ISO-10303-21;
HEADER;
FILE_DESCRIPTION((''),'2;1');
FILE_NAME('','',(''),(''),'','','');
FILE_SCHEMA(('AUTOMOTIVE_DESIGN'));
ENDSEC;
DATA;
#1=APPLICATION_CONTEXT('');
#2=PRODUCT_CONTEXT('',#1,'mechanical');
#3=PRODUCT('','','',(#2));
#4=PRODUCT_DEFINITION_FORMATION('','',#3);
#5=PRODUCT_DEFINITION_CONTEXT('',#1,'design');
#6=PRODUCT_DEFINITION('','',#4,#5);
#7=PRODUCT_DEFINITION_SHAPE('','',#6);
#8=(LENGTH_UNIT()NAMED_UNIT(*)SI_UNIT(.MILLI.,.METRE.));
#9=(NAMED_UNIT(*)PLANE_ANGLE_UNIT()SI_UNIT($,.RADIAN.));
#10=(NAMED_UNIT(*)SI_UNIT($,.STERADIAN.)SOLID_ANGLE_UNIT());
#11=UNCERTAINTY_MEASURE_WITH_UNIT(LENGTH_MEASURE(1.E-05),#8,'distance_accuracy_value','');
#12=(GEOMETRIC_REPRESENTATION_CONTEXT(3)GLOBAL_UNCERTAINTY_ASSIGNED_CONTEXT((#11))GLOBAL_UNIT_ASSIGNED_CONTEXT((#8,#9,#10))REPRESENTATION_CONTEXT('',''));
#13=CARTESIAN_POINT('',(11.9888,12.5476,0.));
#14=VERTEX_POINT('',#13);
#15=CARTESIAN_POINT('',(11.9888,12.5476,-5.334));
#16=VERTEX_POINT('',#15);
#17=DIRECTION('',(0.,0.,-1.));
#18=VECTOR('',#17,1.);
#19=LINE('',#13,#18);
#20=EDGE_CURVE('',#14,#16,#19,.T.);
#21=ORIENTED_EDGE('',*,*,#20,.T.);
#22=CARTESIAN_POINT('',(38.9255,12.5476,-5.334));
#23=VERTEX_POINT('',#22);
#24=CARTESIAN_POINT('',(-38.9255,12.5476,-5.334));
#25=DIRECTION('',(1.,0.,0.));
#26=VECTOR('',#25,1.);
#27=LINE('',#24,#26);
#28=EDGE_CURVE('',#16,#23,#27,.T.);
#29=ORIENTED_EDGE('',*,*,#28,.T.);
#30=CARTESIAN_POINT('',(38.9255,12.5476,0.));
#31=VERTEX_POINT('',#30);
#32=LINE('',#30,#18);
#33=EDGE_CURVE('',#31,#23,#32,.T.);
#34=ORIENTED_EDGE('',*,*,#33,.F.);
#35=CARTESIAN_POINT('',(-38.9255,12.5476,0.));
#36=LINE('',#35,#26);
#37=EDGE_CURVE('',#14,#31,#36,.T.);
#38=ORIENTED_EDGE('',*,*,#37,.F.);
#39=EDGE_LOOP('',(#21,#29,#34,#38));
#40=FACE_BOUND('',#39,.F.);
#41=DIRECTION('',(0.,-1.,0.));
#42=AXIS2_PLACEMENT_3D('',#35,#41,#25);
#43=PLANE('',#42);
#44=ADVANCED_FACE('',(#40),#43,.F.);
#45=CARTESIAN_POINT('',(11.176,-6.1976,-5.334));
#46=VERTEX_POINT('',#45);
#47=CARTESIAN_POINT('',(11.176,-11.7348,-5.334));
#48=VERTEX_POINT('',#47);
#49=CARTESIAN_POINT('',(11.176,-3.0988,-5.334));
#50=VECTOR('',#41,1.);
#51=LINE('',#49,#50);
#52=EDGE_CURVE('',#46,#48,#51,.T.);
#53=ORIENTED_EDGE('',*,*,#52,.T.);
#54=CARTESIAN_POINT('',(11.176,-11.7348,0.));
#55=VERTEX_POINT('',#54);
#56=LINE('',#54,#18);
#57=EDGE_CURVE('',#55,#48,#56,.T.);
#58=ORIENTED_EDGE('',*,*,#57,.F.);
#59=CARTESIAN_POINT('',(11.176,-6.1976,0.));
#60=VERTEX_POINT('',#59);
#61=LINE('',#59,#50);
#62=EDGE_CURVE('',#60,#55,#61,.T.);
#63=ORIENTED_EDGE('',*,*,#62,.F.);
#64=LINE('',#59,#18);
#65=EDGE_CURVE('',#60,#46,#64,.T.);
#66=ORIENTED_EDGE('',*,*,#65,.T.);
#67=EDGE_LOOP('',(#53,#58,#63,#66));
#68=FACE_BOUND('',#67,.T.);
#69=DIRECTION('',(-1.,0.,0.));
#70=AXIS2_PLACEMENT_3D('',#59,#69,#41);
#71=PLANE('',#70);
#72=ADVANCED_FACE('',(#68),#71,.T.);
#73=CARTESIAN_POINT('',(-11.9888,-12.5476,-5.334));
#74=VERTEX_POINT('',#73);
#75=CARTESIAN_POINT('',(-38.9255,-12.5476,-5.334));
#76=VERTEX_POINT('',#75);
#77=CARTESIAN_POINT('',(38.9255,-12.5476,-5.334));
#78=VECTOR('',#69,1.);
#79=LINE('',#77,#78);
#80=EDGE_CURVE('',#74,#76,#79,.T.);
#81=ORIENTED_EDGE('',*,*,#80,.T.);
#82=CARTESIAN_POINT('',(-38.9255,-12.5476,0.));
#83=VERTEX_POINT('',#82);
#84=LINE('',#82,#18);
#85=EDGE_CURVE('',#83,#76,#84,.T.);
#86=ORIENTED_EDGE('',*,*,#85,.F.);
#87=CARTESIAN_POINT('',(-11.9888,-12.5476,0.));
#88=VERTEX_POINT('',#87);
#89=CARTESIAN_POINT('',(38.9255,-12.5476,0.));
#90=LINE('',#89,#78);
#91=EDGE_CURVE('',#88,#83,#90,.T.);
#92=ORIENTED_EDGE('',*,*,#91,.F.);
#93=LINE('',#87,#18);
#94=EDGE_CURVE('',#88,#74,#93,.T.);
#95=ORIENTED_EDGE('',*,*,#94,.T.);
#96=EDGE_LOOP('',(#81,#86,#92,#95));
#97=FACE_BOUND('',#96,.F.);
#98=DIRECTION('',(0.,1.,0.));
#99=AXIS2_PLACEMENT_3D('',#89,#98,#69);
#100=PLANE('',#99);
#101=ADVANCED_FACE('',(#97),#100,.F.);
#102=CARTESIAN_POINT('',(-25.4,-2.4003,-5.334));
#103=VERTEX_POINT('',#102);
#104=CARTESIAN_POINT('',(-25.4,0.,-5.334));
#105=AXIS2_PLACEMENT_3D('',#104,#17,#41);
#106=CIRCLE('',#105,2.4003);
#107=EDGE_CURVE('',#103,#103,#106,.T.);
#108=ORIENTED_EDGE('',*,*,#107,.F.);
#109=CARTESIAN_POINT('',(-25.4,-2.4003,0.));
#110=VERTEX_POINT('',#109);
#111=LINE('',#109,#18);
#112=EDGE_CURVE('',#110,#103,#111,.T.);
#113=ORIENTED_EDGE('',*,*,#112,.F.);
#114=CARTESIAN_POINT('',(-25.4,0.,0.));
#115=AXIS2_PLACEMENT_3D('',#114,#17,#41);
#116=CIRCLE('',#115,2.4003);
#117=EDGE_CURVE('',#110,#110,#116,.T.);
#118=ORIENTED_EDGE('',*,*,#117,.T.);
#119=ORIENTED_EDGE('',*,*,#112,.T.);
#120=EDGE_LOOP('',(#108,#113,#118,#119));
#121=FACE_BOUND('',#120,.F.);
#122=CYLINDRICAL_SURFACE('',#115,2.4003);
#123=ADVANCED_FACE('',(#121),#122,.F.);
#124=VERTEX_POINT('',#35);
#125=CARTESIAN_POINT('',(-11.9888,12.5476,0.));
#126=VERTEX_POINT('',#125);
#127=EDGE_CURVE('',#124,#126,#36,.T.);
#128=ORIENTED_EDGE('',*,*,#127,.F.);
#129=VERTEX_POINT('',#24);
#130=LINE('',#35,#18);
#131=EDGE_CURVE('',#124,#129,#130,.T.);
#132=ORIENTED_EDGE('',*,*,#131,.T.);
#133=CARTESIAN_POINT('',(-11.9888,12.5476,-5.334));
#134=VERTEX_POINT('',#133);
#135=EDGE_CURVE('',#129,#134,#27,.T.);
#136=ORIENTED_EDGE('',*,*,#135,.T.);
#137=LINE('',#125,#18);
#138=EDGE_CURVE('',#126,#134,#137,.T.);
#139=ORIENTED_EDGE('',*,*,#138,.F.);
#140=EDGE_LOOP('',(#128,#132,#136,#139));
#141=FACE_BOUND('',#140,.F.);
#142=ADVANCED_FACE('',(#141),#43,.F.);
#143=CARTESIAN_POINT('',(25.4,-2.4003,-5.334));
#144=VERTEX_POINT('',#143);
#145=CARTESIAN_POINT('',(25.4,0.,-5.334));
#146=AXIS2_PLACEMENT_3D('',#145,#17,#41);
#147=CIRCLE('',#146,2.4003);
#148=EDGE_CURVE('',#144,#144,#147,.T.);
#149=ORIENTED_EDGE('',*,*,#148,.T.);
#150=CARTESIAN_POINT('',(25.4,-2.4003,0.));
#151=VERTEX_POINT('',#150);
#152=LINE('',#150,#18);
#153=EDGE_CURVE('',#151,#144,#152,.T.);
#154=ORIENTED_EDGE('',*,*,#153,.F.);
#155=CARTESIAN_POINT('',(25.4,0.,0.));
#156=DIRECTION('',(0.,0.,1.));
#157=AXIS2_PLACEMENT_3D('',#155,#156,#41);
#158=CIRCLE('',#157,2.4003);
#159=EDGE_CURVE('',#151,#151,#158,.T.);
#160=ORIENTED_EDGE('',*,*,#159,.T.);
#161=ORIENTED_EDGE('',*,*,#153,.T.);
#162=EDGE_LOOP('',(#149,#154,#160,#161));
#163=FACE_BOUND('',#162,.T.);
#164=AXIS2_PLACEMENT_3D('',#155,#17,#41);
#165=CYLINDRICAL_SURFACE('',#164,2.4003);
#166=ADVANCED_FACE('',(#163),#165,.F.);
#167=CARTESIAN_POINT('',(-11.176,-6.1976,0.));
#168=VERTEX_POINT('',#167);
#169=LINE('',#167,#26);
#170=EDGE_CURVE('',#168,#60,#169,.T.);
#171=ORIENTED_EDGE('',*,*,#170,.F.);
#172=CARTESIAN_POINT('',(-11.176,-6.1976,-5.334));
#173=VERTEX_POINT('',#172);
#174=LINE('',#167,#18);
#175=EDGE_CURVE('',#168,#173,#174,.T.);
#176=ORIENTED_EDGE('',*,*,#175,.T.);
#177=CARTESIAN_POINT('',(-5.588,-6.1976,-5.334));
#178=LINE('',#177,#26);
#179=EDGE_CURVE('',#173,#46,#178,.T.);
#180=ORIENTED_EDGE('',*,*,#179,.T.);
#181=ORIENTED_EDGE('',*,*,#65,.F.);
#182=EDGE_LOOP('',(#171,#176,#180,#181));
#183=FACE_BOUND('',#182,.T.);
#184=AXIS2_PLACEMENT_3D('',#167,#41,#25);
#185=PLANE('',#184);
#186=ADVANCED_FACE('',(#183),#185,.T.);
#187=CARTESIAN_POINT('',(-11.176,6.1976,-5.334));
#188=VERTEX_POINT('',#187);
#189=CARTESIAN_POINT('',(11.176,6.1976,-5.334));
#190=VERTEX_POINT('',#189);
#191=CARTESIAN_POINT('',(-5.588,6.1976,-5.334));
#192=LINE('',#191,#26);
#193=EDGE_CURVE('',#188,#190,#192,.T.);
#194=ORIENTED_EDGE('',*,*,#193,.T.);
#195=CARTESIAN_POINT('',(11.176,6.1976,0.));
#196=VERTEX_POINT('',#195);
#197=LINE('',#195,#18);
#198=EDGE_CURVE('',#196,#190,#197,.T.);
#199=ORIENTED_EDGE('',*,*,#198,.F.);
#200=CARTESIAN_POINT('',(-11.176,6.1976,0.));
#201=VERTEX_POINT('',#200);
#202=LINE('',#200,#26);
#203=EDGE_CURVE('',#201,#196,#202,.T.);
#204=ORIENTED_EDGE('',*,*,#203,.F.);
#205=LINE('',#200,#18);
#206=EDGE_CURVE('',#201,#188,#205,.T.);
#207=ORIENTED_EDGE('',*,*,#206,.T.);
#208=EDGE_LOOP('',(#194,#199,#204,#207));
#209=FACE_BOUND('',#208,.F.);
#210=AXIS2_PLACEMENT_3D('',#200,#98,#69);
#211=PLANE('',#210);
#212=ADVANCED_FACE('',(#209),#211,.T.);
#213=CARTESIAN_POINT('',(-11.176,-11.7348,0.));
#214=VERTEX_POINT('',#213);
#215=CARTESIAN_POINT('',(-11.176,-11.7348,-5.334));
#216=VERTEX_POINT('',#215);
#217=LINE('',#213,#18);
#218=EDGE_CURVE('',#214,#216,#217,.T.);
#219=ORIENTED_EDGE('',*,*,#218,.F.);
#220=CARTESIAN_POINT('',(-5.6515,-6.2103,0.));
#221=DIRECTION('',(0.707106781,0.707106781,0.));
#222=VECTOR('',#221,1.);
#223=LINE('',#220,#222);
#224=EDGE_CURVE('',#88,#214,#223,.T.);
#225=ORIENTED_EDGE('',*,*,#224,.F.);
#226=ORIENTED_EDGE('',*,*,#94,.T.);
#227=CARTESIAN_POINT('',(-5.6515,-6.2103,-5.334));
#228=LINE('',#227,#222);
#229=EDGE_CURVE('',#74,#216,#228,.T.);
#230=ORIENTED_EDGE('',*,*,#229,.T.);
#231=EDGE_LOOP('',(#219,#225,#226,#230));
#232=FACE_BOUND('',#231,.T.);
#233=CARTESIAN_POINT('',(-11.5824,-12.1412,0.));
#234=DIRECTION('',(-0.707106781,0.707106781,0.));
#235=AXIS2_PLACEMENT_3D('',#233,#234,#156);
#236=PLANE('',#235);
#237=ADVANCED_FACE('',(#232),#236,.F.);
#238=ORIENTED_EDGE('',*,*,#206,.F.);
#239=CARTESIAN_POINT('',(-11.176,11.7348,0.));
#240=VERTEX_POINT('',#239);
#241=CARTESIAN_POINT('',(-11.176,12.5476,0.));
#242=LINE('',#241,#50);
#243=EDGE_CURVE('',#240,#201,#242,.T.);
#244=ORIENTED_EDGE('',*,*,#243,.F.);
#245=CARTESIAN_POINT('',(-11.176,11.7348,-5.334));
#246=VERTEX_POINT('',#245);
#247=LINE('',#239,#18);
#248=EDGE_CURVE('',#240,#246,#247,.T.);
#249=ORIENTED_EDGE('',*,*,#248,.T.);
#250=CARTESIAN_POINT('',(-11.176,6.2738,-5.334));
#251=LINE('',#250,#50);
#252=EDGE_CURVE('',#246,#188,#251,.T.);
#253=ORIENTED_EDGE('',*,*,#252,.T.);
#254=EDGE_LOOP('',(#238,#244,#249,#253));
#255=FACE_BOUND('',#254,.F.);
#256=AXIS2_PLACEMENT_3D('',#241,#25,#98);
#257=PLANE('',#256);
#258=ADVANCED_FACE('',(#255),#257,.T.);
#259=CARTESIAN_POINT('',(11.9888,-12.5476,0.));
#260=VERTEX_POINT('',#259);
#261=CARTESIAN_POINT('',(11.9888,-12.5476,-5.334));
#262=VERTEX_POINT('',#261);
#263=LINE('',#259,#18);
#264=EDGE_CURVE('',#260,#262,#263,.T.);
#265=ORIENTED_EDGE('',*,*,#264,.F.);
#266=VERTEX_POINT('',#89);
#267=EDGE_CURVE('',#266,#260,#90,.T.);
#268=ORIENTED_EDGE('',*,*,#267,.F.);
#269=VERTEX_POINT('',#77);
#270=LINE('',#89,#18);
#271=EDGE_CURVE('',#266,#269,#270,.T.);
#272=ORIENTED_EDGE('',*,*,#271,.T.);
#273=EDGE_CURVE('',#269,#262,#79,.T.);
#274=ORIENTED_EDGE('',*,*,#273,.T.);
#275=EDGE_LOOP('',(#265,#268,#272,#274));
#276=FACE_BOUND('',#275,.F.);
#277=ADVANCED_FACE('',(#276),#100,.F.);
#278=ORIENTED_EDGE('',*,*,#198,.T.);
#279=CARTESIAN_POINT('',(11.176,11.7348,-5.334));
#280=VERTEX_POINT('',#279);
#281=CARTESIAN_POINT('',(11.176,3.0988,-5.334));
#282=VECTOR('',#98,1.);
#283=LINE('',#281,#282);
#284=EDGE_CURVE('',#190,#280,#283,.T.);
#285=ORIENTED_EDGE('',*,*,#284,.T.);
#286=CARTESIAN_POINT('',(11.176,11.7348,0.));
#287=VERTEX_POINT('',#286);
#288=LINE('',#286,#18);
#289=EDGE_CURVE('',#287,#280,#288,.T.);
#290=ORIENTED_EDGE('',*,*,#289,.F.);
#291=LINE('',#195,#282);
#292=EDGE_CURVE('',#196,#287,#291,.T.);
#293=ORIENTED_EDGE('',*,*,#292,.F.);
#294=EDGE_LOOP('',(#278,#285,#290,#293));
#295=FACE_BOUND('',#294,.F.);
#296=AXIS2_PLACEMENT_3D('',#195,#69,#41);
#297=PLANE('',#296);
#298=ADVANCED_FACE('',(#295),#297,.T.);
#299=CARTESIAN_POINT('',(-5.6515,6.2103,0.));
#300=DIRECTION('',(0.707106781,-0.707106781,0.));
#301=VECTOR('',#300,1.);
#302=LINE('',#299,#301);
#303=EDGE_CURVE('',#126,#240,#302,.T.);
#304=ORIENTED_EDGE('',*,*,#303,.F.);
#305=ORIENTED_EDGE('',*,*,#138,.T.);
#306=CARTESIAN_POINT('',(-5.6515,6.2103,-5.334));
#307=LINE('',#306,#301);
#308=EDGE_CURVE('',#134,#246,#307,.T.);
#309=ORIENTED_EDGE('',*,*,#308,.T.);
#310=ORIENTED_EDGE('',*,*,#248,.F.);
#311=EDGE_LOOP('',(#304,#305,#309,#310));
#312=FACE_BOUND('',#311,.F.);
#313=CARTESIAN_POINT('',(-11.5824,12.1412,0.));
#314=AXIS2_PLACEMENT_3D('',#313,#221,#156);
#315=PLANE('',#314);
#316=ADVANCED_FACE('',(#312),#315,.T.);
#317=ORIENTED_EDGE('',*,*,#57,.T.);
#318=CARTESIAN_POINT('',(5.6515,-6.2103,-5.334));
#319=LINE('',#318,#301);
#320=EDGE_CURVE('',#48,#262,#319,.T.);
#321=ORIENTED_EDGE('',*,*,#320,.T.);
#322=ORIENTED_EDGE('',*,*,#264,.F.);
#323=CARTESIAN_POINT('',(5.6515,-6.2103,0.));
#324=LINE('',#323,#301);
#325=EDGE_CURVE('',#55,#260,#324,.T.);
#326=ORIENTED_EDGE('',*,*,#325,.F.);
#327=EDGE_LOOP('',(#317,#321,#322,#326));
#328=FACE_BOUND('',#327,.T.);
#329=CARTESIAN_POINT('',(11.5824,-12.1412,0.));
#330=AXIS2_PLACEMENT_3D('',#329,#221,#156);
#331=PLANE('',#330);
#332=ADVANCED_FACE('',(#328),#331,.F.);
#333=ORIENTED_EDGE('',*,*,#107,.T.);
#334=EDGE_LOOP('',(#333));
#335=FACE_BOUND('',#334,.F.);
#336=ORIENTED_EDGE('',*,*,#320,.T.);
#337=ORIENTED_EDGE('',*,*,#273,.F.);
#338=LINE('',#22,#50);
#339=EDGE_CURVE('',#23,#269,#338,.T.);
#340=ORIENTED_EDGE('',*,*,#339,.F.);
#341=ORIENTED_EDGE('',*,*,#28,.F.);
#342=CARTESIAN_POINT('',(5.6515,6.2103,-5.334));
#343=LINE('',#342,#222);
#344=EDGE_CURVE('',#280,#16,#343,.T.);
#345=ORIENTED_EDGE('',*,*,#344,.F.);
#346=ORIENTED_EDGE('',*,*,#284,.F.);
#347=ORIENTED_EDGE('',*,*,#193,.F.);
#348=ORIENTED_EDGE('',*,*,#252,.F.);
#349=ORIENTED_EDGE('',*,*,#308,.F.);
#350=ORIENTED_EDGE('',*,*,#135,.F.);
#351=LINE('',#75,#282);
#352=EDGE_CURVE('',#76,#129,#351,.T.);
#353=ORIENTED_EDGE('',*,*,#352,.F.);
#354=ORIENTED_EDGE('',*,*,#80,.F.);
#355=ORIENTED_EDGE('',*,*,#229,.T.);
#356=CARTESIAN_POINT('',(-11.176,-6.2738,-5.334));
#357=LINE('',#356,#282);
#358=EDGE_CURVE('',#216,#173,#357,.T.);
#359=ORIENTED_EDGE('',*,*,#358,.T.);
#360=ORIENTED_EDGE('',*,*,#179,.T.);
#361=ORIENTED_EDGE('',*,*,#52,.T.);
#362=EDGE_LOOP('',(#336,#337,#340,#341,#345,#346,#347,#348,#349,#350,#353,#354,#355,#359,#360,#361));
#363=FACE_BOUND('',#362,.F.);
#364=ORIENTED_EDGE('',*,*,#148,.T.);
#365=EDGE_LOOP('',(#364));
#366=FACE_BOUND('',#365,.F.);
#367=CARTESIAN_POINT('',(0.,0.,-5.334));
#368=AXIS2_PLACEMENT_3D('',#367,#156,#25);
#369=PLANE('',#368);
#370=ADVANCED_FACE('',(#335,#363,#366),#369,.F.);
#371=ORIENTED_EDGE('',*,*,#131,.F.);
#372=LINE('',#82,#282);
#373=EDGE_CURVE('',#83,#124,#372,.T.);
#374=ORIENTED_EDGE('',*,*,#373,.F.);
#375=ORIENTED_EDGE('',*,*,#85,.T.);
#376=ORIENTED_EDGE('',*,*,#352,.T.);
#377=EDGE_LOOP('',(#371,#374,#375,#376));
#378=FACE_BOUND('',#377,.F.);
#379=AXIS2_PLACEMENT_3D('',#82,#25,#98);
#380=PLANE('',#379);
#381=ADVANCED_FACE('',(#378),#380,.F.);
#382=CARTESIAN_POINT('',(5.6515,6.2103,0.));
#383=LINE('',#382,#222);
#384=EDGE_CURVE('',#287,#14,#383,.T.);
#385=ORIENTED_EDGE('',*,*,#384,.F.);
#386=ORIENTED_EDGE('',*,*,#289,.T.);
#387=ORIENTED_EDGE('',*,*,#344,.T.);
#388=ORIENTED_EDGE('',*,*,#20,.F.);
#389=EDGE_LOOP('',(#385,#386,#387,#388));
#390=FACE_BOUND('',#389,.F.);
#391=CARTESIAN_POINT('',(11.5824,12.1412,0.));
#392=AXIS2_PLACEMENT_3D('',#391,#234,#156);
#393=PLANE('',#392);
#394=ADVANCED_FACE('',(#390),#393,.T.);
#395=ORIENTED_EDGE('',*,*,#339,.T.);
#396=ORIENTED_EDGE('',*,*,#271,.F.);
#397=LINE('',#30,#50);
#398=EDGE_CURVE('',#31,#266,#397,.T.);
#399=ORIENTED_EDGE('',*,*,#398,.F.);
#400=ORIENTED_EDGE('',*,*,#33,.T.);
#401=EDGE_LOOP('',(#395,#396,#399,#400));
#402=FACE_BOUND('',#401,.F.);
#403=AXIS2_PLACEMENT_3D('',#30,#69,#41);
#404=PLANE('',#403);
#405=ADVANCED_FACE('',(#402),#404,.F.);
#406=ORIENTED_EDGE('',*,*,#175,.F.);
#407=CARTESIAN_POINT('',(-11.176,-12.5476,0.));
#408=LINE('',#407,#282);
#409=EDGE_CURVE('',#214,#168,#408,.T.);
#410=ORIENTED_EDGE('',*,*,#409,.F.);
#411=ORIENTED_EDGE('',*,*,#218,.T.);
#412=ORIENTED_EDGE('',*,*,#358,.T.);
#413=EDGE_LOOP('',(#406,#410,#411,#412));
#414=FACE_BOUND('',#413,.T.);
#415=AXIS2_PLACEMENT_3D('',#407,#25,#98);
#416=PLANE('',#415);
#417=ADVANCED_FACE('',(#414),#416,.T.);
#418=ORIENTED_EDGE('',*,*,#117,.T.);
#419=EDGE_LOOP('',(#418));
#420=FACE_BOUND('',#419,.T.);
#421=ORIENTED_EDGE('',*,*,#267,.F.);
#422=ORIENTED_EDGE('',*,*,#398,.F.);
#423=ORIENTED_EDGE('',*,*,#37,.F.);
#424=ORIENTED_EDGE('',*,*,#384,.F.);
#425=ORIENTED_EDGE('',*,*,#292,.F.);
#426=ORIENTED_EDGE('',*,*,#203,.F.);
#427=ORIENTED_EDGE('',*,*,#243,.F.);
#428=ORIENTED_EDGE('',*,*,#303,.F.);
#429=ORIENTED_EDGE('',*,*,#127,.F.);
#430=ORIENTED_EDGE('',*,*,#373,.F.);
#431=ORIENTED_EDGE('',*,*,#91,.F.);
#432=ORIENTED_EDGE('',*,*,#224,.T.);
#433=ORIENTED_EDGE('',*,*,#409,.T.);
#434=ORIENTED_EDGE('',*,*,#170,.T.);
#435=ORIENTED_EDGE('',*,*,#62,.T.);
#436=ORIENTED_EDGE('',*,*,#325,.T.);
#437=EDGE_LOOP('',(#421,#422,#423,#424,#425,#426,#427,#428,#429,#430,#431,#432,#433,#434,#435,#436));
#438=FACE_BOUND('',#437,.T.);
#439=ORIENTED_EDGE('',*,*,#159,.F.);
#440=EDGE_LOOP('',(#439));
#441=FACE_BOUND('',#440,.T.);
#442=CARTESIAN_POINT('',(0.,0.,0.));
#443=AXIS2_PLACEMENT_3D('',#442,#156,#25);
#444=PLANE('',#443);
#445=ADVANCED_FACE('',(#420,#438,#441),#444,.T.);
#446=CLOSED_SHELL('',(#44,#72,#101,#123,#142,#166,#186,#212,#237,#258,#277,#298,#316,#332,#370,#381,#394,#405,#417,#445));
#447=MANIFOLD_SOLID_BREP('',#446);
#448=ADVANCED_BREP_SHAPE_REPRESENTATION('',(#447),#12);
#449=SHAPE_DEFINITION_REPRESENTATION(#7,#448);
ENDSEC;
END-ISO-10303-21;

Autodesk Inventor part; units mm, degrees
ref_plane "YZ Plane" through (0, 0, 0) normal (1, 0, 0) x (0, 1, 0)
ref_plane "XZ Plane" through (0, 0, 0) normal (0, 1, 0) x (-1, 0, 0)
ref_plane "XY Plane" through (0, 0, 0) normal (0, 0, 1) x (1, 0, 0)
sketch "Sketch1" plane through (0, 0, 0) normal (0, 0, 1) x (1, 0, 0)
  line L0 (-38.9255, 12.5476) -> (38.9255, 12.5476)
  line L1 (38.9255, 12.5476) -> (38.9255, -12.5476)
  line L2 (38.9255, -12.5476) -> (-38.9255, -12.5476)
  line L3 (-38.9255, -12.5476) -> (-38.9255, 12.5476)
  point P0 (0, 0)
  point P1 (38.9255, 0)
  point P2 (0, 12.5476)
  dimension "d0" = 77.851
  dimension "d1" = 25.0952
extrude "Extrusion1" add sketch "Sketch1" against normal blind 5.334
sketch "Sketch2" plane through (0, 0, 0) normal (0, 0, 1) x (1, 0, 0)
  line L0 (-38.9255, 12.5476) -> (38.9255, 12.5476) projected
  line L1 (38.9255, -12.5476) -> (-38.9255, -12.5476) projected
  line L2 (-11.176, -6.1976) -> (11.176, -6.1976)
  line L3 (11.176, -6.1976) -> (11.176, -12.5476)
  line L4 (11.176, -12.5476) -> (-11.176, -12.5476)
  line L5 (-11.176, -12.5476) -> (-11.176, -6.1976)
  point P0 (0, 0)
  point P1 (0, -6.1976)
  point P2 (0, 12.5476)
  dimension "d4" = 22.352
  dimension "d5" = 6.35
extrude "Extrusion2" cut sketch "Sketch2" against normal blind 25.4
mirror "Mirror1" about plane through (0, 0, 0) normal (0, 1, 0) of "Extrusion2"
sketch "Sketch3" plane through (0, 0, 0) normal (0, 0, 1) x (1, 0, 0)
  line L0 (-54.4957, 0) -> (54.4957, 0) projected
  line L1 (0, 17.5666) -> (0, -17.5666) projected
  point P0 (0, 0)
  point P1 (-25.4, 0)
  dimension "d8" = 25.4
hole "Hole1" at (-25.4, 0, 0) direction (0, 0, -1) diameter 4.8006 end through all
mirror "Mirror2" about plane through (0, 0, 0) normal (1, 0, 0) of "Hole1"
chamfer "Chamfer1" distance 0.8128 angle 45 4 edges at (11.176, 12.5476, -2.667) (-11.176, 12.5476, -2.667) (11.176, -12.5476, -2.667) (-11.176, -12.5476, -2.667)
properties material "ACRYLIC, CLEAR"
